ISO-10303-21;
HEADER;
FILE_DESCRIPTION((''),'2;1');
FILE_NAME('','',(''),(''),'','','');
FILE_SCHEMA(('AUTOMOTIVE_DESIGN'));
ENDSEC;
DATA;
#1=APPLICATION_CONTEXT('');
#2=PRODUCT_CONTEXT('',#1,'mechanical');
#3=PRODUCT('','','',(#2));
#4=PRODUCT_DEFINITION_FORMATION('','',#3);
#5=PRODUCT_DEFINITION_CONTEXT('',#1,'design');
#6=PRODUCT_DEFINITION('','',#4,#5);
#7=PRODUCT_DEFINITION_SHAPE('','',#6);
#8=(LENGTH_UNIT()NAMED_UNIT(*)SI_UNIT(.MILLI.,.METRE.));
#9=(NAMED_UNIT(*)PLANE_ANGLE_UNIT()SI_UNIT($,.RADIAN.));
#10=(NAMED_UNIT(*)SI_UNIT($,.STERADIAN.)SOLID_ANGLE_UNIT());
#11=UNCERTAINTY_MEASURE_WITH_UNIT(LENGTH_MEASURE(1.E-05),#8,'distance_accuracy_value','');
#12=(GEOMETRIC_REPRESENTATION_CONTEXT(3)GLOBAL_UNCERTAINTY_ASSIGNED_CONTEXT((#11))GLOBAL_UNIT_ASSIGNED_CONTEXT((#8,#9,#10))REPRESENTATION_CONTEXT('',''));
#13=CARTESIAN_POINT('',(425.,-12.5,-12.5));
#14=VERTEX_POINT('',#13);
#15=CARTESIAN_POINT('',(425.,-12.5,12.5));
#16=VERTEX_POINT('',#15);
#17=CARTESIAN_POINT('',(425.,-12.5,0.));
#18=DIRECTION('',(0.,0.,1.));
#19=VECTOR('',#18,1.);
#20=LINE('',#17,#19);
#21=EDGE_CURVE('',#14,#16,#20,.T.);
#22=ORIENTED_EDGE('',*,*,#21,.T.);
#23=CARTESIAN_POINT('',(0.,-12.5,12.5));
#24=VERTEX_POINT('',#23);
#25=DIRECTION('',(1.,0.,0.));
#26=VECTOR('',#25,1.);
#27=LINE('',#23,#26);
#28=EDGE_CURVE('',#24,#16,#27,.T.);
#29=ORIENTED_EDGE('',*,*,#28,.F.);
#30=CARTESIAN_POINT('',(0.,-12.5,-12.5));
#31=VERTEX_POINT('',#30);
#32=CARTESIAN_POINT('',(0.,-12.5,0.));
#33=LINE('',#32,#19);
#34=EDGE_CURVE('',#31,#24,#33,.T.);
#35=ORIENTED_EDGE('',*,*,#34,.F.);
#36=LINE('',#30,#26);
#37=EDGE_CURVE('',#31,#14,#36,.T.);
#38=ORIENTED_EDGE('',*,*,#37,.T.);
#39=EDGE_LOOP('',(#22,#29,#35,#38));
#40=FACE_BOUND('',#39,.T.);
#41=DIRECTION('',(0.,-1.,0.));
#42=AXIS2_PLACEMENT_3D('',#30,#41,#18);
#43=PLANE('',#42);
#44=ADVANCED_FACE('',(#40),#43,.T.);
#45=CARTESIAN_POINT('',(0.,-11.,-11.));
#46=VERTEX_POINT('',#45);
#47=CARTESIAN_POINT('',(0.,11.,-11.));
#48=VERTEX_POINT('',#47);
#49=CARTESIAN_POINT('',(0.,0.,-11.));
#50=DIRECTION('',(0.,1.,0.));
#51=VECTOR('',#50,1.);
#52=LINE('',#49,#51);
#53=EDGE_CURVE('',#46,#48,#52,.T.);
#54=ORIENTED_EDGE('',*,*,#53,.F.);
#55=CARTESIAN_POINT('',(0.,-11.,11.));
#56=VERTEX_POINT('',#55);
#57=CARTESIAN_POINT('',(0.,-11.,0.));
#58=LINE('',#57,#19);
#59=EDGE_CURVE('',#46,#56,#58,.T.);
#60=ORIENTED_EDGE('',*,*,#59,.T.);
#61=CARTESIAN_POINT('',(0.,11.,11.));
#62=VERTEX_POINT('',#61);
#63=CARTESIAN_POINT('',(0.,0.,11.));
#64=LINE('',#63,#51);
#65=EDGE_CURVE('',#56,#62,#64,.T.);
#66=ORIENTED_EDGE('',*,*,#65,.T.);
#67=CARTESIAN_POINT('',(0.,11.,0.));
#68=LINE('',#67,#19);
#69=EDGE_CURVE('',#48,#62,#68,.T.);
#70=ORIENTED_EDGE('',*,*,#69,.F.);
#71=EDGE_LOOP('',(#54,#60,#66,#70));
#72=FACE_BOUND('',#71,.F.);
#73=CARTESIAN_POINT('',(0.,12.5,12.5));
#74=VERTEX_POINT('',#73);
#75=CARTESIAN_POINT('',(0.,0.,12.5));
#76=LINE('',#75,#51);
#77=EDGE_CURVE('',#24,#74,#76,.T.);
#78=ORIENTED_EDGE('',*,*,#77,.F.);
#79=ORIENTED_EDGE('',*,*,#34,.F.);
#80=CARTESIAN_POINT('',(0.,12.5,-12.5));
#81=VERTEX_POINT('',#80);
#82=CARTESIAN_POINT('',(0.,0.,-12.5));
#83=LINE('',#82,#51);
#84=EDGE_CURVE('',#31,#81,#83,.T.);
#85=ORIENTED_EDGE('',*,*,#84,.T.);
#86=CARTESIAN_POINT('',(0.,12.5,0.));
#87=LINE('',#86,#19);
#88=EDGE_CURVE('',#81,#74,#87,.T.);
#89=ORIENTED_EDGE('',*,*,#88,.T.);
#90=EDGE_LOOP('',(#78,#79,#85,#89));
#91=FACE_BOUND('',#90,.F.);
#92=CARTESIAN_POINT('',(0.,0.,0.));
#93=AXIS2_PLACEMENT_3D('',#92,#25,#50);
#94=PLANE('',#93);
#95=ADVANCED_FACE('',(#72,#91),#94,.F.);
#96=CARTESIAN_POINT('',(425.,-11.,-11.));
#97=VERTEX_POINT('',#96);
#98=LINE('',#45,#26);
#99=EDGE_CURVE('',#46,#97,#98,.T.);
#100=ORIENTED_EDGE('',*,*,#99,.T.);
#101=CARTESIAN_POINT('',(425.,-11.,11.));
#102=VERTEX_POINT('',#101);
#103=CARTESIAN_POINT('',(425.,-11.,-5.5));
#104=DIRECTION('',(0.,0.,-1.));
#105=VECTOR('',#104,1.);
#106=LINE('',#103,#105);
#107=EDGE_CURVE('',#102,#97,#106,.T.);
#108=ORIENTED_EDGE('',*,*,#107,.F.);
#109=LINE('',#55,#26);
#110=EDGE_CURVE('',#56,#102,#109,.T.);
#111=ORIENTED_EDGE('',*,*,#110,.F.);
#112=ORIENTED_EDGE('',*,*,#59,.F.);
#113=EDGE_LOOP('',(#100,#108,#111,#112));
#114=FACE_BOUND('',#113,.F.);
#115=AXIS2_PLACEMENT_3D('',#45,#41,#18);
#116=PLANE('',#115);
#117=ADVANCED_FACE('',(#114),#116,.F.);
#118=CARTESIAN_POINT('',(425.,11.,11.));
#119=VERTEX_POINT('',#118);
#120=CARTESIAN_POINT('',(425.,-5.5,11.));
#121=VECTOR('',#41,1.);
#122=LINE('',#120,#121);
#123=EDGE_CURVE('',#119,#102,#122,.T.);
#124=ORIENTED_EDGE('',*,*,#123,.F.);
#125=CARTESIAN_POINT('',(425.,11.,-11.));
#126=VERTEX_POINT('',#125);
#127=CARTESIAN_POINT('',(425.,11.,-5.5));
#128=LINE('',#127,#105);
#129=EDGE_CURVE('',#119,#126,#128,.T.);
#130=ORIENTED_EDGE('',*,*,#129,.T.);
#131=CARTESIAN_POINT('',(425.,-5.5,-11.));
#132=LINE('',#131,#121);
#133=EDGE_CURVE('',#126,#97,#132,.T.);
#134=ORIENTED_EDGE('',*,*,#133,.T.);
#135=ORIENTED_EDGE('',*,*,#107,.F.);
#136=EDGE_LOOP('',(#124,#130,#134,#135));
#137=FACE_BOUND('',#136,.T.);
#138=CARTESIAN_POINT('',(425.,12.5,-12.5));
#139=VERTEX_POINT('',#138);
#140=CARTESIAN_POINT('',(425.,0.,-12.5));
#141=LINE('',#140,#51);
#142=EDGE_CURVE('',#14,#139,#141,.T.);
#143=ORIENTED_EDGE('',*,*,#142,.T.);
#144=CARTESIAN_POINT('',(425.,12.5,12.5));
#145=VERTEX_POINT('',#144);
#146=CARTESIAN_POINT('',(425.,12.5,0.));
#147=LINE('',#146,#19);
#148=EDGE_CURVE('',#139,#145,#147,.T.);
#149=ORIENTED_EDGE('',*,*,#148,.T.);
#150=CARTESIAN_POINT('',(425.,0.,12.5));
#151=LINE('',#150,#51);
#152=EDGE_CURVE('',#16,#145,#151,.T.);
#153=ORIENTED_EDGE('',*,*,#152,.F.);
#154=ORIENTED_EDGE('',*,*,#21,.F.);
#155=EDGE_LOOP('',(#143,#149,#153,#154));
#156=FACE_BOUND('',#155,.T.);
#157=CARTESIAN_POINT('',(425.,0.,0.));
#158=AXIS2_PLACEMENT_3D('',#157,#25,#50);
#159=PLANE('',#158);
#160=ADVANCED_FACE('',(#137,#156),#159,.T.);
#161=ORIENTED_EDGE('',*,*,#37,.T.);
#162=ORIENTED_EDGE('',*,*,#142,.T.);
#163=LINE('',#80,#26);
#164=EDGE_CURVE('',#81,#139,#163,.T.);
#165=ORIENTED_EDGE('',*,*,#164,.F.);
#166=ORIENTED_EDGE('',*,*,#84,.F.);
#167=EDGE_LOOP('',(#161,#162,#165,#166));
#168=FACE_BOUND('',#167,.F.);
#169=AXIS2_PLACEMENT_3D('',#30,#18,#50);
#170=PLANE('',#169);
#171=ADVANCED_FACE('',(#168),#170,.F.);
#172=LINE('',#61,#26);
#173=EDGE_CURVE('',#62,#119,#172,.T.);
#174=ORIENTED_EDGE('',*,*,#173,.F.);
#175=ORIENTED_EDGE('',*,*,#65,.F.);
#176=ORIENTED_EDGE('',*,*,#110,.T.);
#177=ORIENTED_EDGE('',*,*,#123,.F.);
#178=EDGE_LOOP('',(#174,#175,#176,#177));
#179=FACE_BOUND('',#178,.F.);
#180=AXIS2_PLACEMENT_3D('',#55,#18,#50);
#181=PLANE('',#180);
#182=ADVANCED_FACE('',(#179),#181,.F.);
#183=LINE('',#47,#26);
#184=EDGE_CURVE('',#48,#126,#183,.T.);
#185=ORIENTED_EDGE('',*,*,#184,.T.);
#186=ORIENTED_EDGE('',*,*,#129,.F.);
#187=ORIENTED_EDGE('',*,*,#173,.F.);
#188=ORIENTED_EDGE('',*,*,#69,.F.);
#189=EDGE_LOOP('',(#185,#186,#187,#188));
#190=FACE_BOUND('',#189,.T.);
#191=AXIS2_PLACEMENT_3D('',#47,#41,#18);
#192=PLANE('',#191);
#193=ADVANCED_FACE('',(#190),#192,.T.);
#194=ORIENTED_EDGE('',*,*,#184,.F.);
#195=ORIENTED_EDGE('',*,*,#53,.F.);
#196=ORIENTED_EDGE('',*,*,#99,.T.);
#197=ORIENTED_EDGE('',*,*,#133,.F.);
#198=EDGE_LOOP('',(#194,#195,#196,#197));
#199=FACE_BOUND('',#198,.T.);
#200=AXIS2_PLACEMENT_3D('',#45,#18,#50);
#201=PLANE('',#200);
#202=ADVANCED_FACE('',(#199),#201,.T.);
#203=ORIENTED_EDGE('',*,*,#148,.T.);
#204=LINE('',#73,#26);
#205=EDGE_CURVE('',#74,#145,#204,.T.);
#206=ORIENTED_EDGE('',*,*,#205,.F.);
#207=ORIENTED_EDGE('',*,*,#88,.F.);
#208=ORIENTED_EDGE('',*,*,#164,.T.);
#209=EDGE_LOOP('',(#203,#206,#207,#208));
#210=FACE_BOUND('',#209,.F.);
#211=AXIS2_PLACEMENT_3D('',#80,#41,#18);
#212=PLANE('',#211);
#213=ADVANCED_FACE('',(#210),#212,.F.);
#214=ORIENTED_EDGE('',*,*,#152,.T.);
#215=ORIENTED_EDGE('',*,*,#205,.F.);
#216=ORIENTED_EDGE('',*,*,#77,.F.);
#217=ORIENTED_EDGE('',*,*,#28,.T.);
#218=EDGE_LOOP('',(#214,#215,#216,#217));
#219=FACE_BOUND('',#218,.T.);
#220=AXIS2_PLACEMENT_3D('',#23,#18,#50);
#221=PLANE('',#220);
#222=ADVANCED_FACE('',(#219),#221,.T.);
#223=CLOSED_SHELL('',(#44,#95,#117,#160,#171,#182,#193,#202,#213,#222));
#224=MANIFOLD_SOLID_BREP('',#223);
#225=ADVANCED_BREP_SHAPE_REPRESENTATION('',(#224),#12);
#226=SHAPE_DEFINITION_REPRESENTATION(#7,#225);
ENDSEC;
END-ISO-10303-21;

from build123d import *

# Parameters (mm, degrees)
F0_W     = 25
F0_H     = 25
F1_DEPTH = 425
F3_W     = 22
F3_H     = 22
F4_DEPTH = 425.001


with BuildPart() as f1:
    # F0 (on Right) → F1 (new body)
    with BuildSketch(Plane.YZ):
        Rectangle(F0_W, F0_H)
    extrude(amount=F1_DEPTH)

    # F3 (on Right) → F4 (cut, through all)
    with BuildSketch(Plane.YZ):
        Rectangle(F3_W, F3_H)
    extrude(amount=F4_DEPTH, mode=Mode.SUBTRACT)


solid = f1.part
